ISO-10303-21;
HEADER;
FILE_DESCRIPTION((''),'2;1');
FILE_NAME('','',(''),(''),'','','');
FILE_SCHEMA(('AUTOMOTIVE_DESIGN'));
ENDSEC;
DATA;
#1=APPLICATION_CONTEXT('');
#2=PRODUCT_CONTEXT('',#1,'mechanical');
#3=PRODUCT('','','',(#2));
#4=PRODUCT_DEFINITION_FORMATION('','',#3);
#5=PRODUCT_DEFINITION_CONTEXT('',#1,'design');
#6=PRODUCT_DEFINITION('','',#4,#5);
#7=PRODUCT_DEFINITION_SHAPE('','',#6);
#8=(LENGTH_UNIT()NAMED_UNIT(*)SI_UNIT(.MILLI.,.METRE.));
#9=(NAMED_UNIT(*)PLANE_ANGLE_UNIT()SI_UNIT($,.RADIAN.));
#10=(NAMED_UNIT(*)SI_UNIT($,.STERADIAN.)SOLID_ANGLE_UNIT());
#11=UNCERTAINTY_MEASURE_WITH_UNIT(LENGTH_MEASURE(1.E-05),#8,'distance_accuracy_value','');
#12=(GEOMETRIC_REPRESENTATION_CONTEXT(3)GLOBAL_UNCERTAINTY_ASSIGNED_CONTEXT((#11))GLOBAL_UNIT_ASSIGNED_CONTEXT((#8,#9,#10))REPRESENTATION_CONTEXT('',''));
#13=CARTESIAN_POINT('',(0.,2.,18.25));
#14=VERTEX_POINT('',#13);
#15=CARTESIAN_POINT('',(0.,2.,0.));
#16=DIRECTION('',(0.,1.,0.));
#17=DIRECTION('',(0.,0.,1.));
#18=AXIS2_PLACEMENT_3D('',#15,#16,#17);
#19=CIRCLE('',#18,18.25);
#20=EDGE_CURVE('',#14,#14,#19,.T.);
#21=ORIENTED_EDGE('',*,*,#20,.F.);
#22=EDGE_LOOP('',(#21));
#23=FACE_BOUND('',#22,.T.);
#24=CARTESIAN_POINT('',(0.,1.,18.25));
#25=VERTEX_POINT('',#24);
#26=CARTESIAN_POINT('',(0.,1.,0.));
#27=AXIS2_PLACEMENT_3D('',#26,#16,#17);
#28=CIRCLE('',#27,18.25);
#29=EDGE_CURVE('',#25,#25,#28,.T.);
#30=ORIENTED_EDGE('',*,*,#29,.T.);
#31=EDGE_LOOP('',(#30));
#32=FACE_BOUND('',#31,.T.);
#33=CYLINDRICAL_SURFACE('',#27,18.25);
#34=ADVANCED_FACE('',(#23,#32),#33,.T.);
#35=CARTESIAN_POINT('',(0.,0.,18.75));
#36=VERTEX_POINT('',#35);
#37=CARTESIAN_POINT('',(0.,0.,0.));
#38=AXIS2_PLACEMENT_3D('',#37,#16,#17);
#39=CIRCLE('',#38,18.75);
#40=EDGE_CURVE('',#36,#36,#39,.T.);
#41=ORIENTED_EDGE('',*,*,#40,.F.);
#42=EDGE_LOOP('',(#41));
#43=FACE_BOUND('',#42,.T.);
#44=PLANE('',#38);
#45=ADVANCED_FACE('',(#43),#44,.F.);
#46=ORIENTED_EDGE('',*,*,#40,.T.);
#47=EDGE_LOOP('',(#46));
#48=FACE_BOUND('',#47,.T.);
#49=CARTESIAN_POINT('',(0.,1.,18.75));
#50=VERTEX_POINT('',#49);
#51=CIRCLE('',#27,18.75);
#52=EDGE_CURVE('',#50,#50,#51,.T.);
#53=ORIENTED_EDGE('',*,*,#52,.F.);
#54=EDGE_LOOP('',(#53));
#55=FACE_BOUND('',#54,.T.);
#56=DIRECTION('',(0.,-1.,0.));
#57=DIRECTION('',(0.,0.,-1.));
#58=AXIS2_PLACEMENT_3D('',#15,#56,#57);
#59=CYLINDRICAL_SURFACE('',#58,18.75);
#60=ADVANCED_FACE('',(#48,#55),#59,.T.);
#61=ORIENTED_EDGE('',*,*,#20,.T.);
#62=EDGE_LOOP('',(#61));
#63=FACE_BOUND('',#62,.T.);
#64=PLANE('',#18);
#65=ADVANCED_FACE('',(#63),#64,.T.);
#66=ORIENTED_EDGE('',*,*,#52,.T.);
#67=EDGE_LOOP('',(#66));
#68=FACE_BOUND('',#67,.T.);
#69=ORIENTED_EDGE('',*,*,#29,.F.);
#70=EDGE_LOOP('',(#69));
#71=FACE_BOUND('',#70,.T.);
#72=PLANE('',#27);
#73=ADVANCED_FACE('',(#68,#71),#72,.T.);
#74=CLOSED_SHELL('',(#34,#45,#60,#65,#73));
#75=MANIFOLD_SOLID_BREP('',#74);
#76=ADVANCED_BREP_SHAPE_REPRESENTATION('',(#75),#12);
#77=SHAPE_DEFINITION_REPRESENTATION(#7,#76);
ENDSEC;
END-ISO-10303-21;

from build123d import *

# Parameters (mm, degrees)
SKETCH1_R           = 18.75
BOSS_EXTRUDE1_DEPTH = 2
SKETCH2_OUTSIDE_W   = 50.114
SKETCH2_OUTSIDE_H   = 50.114
SKETCH2_OUTSIDE_R   = 18.25
CUT_EXTRUDE1_DEPTH  = 1


with BuildPart() as part:
    # Sketch1 → Boss-Extrude1 (new body)
    with BuildSketch(Plane(origin=(0, 0, 0), x_dir=(1, 0, 0), z_dir=(0, 1, 0))):
        with Locations(Location((0, 0, 0), (0, 0, 270))):
            Circle(SKETCH1_R)
    extrude(amount=BOSS_EXTRUDE1_DEPTH)

    # Sketch2 outside → Cut-Extrude1 (cut)
    with BuildSketch(Plane(origin=(0, 2, 0), x_dir=(1, 0, 0), z_dir=(0, 1, 0))):
        Rectangle(SKETCH2_OUTSIDE_W, SKETCH2_OUTSIDE_H)
        with Locations(Location((0, 0, 0), (0, 0, 270))):
            Circle(SKETCH2_OUTSIDE_R, mode=Mode.SUBTRACT)
    extrude(amount=-CUT_EXTRUDE1_DEPTH, mode=Mode.SUBTRACT)


solid = part.part
